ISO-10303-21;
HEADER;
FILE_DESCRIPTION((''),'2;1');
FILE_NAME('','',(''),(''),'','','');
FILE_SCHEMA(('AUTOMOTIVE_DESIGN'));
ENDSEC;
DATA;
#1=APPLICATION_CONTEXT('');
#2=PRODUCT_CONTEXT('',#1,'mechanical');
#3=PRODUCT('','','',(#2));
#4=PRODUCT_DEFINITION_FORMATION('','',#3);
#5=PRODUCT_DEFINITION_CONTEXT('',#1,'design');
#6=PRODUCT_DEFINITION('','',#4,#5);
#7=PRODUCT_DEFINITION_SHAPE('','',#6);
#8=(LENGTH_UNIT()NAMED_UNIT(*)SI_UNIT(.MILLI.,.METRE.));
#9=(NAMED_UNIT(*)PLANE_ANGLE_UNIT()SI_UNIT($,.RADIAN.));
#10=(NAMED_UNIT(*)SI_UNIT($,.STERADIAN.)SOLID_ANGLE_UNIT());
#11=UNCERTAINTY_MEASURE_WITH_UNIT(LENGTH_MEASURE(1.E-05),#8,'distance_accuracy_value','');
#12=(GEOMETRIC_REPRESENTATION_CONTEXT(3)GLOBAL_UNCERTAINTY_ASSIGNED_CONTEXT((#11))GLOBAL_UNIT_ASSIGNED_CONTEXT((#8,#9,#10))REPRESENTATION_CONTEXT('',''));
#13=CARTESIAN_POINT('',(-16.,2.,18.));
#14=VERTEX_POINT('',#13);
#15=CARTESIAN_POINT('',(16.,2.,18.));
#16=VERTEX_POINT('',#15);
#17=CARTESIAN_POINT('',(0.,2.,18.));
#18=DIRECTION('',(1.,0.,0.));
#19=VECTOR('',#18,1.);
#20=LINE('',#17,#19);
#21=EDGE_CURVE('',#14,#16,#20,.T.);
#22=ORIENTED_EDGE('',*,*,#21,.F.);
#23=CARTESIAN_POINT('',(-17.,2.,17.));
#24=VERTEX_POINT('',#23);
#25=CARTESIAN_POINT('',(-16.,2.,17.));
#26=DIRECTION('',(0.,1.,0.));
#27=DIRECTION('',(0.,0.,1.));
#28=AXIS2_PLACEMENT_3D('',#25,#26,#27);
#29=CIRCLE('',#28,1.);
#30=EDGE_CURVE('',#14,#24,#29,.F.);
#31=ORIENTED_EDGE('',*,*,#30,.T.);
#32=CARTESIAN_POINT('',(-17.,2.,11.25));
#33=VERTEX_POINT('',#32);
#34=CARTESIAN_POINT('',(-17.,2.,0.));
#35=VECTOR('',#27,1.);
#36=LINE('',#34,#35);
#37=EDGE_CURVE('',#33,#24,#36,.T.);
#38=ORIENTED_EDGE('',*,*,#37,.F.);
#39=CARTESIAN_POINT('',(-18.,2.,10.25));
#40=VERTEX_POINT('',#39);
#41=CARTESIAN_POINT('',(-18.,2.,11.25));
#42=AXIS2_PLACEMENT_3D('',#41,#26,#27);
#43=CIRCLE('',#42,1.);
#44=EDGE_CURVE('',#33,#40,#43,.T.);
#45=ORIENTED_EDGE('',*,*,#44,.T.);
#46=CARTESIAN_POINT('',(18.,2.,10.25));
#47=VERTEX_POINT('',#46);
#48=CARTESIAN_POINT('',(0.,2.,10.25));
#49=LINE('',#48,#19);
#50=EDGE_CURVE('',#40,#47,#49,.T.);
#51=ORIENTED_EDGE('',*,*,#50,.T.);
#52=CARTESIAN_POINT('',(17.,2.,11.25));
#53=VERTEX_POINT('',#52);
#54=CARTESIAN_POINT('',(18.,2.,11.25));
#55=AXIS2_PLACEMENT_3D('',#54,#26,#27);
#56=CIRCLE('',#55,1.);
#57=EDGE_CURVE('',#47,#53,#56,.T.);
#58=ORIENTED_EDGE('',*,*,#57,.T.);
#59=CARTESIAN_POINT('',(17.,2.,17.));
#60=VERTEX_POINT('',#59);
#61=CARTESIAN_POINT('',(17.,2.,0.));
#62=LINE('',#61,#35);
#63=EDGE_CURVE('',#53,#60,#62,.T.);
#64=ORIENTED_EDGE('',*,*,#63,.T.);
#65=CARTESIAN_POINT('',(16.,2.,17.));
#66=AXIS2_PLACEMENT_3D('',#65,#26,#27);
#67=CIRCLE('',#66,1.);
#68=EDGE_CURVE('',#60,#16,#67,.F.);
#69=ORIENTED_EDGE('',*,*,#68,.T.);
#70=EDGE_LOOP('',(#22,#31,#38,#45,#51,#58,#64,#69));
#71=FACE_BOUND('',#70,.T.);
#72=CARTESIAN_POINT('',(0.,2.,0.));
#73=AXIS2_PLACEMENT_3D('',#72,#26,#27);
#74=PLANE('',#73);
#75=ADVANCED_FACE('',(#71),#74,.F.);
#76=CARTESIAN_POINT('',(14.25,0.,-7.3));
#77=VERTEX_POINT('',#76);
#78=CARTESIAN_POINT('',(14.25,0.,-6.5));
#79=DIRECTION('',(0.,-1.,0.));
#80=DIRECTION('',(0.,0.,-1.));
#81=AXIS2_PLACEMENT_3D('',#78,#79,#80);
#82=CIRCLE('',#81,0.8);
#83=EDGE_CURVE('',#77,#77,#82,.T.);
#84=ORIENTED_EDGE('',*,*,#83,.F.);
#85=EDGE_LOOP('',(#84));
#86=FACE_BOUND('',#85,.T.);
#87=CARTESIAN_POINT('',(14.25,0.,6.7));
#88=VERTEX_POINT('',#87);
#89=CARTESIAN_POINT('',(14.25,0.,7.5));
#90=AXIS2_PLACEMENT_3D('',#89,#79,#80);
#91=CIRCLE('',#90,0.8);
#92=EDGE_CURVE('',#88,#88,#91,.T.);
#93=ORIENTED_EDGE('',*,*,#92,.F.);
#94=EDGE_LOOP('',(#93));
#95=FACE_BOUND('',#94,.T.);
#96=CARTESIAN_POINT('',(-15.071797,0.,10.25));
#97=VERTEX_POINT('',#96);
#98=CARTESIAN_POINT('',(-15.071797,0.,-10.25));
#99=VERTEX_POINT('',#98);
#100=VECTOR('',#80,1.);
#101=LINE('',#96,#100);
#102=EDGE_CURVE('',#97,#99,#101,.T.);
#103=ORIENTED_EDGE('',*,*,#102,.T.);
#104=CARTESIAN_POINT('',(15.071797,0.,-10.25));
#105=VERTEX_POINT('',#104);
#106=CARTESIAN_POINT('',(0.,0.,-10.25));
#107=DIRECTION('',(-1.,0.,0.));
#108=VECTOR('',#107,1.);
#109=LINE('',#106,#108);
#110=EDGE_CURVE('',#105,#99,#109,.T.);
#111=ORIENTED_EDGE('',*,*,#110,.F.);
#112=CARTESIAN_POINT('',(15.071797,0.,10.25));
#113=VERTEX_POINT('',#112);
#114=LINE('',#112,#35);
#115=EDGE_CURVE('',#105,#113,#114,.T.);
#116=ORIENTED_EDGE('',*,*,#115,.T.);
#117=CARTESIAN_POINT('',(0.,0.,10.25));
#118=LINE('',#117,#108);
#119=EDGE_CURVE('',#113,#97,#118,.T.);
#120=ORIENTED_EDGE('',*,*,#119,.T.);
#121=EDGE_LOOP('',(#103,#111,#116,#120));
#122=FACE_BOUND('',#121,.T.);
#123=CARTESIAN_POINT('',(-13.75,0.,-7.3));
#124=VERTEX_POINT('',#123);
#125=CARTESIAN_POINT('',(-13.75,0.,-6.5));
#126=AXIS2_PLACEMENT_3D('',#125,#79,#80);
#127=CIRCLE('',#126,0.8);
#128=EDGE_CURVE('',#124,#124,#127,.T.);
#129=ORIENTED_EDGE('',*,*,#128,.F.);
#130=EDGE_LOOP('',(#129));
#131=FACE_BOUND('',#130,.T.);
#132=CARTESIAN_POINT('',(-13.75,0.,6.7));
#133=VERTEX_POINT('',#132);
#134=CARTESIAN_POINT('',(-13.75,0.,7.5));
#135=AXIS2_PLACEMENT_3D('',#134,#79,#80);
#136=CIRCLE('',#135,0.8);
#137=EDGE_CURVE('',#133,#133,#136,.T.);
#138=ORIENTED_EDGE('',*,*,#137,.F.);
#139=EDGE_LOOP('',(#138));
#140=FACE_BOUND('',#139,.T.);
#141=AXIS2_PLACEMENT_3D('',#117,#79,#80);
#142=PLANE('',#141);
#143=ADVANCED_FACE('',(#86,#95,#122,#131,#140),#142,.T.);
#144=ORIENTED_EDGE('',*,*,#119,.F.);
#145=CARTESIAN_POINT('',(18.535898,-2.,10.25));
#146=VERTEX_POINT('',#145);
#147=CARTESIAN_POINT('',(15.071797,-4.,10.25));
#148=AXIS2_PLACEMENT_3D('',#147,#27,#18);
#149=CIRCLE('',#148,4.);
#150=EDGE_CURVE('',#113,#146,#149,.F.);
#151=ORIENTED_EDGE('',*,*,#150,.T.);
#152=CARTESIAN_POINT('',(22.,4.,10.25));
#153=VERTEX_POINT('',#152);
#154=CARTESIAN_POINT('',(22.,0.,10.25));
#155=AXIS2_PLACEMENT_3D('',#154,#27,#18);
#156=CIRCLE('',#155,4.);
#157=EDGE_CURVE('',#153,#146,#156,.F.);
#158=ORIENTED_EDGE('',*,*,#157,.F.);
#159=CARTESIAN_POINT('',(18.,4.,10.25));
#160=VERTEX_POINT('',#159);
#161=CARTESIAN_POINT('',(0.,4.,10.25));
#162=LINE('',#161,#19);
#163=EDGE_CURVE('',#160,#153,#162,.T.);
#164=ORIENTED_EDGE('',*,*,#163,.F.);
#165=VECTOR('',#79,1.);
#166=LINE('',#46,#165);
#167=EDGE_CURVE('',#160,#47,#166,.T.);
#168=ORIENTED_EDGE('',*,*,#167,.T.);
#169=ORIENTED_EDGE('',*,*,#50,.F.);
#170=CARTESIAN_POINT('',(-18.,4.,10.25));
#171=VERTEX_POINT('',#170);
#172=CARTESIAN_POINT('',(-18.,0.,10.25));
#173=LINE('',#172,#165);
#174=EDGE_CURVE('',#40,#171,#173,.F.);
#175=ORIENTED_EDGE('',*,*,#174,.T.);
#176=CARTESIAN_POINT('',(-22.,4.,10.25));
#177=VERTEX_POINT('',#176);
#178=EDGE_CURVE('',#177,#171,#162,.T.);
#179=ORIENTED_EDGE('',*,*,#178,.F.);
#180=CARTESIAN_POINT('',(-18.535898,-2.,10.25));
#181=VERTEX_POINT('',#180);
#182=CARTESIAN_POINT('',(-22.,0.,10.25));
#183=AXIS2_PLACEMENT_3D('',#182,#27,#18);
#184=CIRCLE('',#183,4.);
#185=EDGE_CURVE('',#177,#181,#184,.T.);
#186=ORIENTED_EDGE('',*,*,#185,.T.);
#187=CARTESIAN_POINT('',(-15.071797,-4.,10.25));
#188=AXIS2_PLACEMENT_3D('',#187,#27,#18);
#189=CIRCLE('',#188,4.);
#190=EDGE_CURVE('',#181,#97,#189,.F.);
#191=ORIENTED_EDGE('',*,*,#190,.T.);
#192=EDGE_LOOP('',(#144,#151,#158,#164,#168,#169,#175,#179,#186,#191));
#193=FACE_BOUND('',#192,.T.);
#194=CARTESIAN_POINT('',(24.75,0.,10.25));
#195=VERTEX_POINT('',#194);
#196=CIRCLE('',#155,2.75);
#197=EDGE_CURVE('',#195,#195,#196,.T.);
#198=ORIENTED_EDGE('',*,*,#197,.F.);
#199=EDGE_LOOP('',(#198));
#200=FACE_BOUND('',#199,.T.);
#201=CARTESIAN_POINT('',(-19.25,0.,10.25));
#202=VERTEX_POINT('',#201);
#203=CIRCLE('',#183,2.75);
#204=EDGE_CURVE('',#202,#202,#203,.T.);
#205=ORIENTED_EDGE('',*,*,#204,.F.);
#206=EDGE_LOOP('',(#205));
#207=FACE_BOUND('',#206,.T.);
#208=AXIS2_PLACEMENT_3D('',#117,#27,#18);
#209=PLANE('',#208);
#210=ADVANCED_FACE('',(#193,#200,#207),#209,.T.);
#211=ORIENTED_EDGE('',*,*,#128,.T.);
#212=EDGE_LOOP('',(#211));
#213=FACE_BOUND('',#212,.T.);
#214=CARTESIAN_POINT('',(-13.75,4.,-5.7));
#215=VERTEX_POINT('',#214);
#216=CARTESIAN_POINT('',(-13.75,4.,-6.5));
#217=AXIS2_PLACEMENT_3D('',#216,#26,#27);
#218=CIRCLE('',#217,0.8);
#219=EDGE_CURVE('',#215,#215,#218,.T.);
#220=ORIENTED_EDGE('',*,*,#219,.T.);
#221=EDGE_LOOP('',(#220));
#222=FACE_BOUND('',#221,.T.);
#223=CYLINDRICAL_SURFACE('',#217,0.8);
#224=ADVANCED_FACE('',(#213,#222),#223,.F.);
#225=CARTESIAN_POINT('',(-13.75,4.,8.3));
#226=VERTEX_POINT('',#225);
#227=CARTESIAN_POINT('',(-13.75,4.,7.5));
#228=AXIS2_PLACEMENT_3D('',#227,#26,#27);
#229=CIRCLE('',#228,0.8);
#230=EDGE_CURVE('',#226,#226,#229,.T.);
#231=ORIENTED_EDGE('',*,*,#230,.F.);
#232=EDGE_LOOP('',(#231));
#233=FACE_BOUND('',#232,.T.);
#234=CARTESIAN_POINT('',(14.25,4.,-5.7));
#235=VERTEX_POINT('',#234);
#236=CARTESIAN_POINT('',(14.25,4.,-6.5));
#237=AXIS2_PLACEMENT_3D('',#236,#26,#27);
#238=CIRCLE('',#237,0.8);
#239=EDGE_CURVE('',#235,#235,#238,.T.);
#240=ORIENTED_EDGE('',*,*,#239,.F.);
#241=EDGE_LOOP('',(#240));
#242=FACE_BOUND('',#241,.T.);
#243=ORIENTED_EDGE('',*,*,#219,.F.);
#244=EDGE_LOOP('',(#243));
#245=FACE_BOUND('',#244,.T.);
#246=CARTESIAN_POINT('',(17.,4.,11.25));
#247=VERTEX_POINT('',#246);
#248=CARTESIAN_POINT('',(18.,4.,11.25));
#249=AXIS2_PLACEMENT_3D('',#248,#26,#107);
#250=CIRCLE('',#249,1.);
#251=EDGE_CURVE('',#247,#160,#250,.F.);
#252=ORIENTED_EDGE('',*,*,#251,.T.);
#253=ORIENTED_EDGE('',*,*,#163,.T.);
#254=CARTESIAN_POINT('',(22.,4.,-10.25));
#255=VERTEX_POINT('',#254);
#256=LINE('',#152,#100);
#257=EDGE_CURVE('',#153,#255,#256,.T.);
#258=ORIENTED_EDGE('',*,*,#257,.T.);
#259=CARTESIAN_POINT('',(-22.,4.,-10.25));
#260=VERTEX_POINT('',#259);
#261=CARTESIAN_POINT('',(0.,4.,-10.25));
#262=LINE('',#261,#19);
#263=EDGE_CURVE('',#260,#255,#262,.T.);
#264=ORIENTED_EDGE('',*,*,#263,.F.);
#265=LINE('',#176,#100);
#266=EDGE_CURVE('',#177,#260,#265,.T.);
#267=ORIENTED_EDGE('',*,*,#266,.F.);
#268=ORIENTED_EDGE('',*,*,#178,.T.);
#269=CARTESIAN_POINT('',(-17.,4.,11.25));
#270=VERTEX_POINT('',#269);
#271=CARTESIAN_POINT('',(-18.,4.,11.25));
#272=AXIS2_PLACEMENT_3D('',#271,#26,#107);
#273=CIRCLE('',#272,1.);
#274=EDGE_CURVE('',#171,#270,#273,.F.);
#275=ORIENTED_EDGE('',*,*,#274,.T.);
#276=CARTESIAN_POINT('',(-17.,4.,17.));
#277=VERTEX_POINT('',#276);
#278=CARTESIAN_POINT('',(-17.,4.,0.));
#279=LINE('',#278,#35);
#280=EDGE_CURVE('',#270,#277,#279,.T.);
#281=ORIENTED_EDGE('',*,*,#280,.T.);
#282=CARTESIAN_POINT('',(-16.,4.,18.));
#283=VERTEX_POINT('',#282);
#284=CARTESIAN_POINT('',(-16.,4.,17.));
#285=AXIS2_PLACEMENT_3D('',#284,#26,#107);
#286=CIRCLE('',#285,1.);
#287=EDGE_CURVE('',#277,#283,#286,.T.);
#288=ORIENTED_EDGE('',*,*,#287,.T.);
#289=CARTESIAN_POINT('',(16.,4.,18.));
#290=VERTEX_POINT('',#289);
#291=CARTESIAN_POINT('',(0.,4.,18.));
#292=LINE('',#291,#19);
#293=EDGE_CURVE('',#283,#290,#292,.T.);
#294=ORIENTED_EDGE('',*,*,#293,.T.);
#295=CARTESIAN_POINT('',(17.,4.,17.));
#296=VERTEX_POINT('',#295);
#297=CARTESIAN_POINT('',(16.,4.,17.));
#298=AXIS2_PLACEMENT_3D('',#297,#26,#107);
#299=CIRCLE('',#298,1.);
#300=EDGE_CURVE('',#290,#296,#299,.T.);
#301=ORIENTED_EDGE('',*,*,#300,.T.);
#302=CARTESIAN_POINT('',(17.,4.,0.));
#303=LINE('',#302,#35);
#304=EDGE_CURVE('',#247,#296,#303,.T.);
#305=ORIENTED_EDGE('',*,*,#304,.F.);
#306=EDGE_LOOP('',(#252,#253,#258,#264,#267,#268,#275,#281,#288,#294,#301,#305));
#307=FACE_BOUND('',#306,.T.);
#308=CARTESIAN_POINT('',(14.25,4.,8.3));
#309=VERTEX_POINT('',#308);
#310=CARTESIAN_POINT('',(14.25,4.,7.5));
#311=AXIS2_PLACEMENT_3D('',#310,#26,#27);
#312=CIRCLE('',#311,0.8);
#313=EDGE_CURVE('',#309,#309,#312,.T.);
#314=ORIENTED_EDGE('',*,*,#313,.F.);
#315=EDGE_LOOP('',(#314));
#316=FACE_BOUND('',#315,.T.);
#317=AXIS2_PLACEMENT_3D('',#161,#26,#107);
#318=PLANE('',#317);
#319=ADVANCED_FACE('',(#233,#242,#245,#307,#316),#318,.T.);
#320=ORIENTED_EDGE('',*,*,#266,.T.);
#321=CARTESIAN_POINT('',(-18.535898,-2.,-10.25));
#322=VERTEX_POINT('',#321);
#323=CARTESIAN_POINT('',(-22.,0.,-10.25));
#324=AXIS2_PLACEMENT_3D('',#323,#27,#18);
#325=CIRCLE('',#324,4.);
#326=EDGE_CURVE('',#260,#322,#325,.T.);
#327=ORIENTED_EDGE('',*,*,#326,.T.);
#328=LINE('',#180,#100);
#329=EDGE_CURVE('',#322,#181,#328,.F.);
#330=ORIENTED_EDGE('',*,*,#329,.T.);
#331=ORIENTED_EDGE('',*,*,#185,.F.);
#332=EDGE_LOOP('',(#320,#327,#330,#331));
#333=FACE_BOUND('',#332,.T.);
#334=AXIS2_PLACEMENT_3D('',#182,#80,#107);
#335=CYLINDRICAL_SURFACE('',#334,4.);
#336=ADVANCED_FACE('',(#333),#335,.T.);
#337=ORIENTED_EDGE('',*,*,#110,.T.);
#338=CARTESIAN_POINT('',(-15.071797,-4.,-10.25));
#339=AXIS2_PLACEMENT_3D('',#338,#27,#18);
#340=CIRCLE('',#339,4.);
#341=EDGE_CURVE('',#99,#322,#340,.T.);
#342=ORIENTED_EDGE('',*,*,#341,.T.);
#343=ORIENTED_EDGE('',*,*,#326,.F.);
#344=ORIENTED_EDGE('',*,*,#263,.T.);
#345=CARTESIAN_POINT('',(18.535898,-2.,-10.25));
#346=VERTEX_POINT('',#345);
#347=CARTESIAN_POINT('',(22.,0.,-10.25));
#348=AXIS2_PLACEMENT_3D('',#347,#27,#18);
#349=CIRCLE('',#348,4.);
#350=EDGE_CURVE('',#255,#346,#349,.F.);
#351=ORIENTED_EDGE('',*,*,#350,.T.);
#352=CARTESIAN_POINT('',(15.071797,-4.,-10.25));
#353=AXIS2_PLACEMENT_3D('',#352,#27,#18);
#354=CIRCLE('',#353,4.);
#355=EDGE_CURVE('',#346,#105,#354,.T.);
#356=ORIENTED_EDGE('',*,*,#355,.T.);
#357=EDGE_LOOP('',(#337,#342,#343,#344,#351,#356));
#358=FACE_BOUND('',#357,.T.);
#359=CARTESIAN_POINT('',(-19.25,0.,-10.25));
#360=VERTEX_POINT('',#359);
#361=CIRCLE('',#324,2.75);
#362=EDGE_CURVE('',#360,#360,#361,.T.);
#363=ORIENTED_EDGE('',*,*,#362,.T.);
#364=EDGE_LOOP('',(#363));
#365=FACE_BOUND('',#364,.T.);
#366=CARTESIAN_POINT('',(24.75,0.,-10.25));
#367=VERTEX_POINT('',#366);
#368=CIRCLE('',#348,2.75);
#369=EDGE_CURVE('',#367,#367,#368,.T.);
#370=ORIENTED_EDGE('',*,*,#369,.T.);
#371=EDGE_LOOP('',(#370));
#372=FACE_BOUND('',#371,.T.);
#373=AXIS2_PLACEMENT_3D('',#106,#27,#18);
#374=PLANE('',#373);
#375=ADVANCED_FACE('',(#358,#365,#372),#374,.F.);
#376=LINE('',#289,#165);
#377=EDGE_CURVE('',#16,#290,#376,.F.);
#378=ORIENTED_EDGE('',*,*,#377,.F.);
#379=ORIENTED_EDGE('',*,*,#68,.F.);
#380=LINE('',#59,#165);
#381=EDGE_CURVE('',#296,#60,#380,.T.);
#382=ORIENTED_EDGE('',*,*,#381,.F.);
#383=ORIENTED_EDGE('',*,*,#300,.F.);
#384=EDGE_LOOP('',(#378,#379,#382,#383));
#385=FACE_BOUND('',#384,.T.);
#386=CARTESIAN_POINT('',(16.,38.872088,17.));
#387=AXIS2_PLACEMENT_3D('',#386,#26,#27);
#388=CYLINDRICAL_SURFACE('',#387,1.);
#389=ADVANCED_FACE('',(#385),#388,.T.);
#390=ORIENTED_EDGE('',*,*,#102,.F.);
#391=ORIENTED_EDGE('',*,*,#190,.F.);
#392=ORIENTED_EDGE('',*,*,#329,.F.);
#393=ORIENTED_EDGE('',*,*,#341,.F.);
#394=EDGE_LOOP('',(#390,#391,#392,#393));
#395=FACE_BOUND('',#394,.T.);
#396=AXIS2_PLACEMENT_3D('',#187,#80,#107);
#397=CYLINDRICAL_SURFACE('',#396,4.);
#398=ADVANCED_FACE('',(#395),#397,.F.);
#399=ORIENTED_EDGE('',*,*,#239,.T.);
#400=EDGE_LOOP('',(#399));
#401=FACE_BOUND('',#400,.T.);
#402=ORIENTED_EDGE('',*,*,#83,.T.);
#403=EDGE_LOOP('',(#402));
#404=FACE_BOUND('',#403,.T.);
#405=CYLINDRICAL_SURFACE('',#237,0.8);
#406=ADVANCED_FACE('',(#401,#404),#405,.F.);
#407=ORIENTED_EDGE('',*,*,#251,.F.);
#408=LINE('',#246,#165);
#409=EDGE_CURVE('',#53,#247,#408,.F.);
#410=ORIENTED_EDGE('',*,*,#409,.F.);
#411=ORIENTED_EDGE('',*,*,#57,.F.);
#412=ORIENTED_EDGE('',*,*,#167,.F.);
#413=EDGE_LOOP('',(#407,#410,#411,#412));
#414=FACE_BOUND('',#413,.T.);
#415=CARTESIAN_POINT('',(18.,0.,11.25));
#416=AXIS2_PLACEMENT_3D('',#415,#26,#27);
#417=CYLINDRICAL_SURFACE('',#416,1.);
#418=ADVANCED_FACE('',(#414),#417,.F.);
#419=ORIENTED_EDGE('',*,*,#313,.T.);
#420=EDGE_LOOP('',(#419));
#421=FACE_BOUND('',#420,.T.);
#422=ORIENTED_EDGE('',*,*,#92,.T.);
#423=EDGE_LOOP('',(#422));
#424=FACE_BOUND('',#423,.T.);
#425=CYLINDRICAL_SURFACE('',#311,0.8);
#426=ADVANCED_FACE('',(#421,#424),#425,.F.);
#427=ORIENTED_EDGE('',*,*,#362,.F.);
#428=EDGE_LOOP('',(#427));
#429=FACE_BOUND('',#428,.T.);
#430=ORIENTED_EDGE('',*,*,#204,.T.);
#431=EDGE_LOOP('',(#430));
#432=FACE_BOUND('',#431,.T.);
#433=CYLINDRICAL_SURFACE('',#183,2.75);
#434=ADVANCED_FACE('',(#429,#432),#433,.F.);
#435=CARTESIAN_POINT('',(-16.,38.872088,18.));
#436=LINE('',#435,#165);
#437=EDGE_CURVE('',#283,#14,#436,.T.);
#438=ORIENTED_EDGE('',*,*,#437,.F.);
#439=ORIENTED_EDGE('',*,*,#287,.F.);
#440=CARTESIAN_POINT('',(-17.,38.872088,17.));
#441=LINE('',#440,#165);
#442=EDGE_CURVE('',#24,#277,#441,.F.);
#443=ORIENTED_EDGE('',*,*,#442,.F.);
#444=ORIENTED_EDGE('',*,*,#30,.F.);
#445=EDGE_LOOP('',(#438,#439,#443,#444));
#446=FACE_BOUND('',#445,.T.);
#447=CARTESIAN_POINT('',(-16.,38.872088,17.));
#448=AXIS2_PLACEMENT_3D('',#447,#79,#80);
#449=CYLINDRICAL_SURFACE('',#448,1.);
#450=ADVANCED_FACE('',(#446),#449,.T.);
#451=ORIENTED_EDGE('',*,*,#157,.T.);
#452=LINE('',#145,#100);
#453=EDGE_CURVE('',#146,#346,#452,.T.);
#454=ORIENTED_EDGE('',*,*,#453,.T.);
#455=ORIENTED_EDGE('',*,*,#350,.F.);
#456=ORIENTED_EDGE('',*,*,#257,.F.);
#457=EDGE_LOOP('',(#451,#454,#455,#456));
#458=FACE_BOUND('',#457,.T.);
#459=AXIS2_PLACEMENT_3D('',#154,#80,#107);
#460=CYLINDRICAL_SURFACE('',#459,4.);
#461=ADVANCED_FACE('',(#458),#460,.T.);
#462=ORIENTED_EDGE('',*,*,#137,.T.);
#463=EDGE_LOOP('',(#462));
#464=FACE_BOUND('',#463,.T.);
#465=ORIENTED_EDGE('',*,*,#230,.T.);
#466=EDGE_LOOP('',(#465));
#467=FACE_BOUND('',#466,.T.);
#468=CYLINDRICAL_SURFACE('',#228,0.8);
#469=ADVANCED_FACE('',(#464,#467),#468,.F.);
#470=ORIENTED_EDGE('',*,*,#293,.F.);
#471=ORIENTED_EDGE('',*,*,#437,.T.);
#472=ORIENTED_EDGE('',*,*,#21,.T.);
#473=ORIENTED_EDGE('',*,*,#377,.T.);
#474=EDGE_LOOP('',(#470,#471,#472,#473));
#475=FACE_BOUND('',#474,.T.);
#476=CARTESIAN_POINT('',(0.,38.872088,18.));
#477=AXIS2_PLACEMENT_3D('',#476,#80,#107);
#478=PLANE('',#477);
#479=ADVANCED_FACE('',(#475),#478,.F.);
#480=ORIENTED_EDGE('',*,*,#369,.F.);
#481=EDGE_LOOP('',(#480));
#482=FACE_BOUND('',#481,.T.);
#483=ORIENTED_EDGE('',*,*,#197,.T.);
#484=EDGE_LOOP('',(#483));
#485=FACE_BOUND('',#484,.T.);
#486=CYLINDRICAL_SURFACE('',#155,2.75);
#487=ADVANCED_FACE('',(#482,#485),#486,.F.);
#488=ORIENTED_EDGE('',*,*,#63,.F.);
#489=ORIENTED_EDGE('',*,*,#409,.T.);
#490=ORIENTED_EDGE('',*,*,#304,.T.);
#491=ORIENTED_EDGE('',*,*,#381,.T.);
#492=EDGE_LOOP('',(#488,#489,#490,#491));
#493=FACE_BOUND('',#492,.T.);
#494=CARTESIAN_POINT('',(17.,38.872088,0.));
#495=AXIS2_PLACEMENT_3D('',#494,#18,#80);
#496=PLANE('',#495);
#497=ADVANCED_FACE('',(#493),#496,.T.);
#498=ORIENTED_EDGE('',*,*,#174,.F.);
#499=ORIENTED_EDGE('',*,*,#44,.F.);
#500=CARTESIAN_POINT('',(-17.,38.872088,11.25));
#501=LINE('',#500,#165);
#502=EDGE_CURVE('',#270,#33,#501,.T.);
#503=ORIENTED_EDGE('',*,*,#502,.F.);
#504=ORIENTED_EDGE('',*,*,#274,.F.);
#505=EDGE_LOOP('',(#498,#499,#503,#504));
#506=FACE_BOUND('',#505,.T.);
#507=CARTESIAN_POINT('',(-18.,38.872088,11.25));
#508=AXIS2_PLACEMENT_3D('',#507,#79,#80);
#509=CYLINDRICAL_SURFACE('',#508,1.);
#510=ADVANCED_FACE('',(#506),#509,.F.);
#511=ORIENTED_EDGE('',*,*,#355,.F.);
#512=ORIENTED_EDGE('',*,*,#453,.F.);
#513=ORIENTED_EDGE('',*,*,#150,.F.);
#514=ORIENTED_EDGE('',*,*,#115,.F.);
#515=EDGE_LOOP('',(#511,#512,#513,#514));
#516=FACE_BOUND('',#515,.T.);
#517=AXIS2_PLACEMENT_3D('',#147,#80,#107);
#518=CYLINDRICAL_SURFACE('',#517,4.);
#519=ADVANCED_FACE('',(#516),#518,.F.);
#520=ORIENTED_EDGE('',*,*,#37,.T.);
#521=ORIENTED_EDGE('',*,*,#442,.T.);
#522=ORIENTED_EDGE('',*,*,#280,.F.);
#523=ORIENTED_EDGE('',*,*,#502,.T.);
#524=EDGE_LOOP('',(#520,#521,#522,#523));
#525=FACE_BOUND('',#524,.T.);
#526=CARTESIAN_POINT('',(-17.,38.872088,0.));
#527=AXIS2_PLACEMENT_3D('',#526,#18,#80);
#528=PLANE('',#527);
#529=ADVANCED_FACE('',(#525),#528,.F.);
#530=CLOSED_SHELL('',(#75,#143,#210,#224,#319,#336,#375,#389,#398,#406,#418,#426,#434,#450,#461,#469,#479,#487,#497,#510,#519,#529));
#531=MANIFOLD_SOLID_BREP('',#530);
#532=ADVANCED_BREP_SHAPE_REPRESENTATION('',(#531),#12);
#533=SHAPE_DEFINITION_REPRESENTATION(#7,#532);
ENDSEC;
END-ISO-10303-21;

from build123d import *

# Parameters (mm, degrees)
BOSS_EXTRUDE1_DEPTH   = 10.25
FILLET1_R             = 4
BOSS_EXTRUDE2_DEPTH   = 2
M5_CLEARANCE_HOLE1_D  = 5.5
M2X0_4_TAPPED_HOLE1_D = 1.6
FILLET2_R             = 1


with BuildPart() as part:
    # Sketch1 → Boss-Extrude1 (new, symmetric)
    with BuildSketch(Plane.XY):
        with BuildLine():
            Line((22, 4), (-22, 4))
            ThreePointArc((-22, 4), (-24.828427125, -2.828427125), (-18, 0))
            Line((-18, 0), (18, 0))
            ThreePointArc((18, 0), (24.828427125, -2.828427125), (22, 4))
        make_face()
    extrude(amount=BOSS_EXTRUDE1_DEPTH, both=True)

    # Fillet1
    fillet1_edges = [part.edges().sort_by_distance(p)[0] for p in [
        (18, 0, 0),
        (-18, 0, 0),
    ]]
    fillet(fillet1_edges, radius=FILLET1_R)

    # Sketch7 → Boss-Extrude2 (add)
    with BuildSketch(Plane.XZ.offset(-2)):
        Polygon((17, 10.25), (17, 18), (-17, 18), (-17, 10.25), (-15.07179677, 10.25), (15.07179677, 10.25), align=None)
    extrude(amount=-BOSS_EXTRUDE2_DEPTH)

    # M5 Clearance Hole1 (through all)
    with Locations(Plane.XY.offset(10.25)):
        with Locations((-22, 0), (22, 0)):
            Hole(M5_CLEARANCE_HOLE1_D / 2)

    # M2x0.4 Tapped Hole1 (through all)
    with Locations(Plane(origin=(0, 4, 0), x_dir=(1, 0, 0), z_dir=(0, 1, 0))):
        with Locations((14.25, 6.500000018), (14.25, -7.499999982), (-13.75, -7.499999982), (-13.75, 6.500000018)):
            Hole(M2X0_4_TAPPED_HOLE1_D / 2)

    # Fillet2
    fillet2_edges = [part.edges().sort_by_distance(p)[0] for p in [
        (17, 3, 18),
        (17, 3, 10.25),
        (-17, 3, 10.25),
        (-17, 3, 18),
    ]]
    fillet(fillet2_edges, radius=FILLET2_R)


solid = part.part
